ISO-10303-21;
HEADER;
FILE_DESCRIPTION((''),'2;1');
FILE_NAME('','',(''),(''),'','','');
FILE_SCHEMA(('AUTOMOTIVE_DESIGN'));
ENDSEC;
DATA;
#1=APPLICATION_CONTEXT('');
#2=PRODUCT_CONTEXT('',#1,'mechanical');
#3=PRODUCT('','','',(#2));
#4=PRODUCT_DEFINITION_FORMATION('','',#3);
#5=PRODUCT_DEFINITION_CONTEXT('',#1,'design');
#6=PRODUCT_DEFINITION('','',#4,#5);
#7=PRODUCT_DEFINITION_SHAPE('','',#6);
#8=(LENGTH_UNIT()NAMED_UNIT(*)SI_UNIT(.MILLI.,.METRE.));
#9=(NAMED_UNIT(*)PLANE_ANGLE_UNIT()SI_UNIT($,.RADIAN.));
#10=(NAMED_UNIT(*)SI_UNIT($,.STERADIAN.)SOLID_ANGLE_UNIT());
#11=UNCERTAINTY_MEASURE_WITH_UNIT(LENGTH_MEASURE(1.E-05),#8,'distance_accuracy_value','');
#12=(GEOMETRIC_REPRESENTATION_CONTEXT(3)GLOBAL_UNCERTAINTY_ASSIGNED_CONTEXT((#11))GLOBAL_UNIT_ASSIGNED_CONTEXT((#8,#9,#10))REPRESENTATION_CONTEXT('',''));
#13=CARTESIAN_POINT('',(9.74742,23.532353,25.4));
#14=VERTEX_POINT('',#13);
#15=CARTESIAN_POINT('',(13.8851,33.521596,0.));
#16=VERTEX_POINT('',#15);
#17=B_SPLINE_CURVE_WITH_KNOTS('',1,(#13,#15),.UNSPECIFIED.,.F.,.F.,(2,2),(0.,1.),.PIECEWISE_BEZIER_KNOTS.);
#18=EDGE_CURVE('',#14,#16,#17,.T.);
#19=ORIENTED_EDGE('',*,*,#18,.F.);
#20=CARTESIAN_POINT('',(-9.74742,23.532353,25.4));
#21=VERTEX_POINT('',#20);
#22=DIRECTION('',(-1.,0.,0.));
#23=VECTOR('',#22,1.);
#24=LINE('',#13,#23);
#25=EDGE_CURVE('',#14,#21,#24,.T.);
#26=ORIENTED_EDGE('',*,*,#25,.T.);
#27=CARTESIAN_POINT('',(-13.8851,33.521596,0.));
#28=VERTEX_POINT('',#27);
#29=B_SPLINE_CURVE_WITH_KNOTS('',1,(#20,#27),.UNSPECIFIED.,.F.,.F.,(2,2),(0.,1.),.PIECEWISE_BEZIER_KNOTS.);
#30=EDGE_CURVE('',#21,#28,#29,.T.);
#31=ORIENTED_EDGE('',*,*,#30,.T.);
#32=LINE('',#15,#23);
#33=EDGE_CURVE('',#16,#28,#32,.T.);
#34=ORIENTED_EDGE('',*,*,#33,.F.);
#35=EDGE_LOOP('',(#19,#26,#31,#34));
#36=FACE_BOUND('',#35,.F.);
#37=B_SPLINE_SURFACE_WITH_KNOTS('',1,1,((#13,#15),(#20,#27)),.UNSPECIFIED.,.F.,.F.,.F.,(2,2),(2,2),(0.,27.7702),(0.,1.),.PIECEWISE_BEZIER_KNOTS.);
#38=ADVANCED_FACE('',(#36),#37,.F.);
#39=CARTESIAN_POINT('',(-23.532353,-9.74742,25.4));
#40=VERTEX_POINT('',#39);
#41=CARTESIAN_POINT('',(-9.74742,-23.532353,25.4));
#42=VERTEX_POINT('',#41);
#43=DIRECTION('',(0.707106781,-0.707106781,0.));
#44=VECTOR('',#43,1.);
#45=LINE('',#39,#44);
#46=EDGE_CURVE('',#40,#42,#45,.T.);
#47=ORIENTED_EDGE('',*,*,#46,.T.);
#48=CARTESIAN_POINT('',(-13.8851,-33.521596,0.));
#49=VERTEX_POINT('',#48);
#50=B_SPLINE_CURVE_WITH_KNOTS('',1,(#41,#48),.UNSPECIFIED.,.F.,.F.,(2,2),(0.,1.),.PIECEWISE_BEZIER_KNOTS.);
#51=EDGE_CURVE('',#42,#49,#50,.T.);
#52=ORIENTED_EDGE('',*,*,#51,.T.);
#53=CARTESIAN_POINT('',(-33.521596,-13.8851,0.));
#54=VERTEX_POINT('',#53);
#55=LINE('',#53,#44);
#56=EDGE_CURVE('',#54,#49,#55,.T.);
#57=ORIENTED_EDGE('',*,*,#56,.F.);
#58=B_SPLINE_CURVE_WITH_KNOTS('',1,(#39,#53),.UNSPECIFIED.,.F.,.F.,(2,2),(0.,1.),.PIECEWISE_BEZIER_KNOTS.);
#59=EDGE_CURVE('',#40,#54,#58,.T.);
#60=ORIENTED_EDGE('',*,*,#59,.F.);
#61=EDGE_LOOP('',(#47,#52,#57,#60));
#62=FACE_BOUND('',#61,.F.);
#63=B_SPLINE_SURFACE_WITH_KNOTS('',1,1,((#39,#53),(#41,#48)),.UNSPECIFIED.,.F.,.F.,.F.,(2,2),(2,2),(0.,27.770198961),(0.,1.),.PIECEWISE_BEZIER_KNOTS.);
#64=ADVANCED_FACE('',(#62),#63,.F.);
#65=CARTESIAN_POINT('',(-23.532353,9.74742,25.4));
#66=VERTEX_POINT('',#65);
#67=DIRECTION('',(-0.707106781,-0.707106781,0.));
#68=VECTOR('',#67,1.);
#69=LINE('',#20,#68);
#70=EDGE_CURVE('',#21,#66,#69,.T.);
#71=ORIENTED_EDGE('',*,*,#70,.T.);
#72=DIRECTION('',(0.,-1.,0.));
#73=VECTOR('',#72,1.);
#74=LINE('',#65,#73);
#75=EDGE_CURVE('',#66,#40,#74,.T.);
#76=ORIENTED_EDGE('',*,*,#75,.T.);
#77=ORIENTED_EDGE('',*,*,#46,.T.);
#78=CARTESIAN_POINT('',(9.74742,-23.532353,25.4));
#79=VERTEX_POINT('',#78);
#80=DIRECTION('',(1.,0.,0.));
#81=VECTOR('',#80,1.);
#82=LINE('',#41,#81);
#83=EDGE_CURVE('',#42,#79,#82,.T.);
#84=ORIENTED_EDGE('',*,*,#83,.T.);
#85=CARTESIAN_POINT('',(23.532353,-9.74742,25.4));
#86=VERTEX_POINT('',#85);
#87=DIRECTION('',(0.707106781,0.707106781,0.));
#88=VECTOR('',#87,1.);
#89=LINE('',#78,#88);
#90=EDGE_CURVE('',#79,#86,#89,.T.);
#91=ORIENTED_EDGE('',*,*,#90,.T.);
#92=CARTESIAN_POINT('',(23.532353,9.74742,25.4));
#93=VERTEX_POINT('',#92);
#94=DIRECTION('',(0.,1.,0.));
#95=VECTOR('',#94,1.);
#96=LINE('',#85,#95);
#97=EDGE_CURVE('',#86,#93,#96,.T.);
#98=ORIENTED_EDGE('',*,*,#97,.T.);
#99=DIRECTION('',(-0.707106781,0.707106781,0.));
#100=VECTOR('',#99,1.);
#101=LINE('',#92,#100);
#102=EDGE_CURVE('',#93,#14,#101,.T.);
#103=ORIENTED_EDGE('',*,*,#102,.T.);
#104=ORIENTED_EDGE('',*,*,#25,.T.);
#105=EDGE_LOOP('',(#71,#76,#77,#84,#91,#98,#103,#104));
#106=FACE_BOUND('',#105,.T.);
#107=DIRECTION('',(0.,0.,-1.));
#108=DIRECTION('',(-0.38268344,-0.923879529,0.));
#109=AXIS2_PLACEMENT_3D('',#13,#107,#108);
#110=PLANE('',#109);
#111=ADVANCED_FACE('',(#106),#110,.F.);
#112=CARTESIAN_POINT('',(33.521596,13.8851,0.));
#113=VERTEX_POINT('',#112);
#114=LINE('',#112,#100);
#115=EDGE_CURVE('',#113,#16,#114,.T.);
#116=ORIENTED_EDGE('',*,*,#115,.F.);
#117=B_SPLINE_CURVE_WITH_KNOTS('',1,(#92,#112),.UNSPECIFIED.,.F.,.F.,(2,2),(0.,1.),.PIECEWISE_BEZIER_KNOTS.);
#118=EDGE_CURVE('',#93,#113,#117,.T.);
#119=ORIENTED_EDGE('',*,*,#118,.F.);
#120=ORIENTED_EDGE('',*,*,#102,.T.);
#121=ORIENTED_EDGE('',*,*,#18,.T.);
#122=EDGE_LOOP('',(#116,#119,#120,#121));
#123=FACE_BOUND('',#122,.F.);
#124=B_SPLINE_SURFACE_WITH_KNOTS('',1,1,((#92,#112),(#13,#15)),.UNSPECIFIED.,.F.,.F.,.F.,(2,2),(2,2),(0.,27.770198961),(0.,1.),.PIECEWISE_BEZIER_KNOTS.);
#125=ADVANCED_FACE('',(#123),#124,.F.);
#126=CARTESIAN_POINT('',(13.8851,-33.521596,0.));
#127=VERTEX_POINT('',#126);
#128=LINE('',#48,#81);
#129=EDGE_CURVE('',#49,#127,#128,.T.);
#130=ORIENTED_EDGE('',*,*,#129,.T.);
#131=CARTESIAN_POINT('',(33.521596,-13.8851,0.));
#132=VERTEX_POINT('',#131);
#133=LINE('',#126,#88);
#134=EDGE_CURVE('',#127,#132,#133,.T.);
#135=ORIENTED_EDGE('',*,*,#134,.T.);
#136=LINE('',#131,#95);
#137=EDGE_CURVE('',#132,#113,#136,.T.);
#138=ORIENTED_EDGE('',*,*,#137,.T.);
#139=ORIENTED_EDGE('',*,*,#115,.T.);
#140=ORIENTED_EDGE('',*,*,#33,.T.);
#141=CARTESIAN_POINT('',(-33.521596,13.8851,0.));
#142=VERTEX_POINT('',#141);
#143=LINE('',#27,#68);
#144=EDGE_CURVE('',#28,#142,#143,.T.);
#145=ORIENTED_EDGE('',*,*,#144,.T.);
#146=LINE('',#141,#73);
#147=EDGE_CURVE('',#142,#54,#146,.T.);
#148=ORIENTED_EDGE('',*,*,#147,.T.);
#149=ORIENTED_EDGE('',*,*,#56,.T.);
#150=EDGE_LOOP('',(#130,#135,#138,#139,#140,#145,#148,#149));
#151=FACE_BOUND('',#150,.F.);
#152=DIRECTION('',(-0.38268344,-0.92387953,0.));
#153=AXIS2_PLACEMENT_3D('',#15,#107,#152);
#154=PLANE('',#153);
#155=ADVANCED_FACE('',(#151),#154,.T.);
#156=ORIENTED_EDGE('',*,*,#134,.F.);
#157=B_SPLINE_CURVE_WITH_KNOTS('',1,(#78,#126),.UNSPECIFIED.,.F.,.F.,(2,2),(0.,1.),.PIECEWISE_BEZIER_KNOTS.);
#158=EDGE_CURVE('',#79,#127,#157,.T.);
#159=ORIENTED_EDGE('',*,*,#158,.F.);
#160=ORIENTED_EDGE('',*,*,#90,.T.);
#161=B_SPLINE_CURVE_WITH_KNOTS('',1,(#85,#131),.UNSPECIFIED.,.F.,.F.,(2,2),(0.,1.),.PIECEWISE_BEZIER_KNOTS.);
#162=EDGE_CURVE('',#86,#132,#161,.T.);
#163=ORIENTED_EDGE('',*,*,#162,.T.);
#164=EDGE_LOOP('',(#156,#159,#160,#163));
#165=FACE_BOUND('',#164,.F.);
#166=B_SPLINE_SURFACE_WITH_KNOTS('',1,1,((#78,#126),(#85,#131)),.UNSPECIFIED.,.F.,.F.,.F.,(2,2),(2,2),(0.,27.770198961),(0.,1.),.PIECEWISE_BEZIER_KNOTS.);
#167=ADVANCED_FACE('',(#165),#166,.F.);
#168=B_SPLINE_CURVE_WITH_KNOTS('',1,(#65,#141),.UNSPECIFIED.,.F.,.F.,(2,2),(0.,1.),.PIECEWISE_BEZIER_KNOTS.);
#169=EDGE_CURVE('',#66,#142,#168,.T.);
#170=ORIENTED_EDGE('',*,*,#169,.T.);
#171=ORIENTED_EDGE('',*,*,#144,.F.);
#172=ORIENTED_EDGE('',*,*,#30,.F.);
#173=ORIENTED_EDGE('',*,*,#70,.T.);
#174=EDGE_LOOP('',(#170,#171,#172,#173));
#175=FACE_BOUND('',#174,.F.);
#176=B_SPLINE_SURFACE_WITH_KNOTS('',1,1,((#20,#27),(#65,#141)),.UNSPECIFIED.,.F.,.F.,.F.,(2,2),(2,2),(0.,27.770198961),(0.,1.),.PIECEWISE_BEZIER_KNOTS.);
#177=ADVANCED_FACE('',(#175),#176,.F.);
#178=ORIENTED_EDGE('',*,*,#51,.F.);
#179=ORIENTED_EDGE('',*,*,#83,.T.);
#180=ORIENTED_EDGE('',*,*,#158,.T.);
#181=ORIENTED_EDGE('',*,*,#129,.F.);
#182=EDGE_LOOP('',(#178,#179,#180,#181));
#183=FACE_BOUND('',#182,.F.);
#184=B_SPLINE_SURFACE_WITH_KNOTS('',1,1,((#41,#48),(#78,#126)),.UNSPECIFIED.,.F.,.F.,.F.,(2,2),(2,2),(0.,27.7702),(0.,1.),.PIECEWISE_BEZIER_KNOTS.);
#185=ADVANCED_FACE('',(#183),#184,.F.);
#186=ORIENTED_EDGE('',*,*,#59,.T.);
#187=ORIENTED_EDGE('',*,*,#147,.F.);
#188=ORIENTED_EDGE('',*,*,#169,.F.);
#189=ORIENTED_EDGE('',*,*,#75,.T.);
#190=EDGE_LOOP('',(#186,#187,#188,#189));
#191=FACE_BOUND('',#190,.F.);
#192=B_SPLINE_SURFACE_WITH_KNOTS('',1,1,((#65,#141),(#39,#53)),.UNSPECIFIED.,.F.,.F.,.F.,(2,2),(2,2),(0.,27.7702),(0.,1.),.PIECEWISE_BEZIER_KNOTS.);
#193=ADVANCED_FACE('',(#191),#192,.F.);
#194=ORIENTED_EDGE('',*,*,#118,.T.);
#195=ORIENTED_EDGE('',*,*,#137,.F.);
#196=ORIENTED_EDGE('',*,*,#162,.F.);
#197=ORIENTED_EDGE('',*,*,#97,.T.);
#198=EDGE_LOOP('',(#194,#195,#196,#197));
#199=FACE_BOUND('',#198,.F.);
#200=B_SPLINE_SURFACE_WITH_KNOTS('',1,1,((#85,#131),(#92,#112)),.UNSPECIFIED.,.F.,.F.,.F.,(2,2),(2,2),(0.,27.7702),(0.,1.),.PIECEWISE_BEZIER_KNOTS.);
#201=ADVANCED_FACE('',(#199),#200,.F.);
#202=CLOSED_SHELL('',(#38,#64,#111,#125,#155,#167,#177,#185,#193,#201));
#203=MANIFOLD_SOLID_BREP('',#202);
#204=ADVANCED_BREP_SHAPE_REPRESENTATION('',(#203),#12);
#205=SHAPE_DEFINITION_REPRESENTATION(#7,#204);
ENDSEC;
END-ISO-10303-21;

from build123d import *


with BuildPart() as f3:
    # F2 (on offset) → F3 section 0
    with BuildSketch(Plane.XY.offset(25.4)):
        Polygon((9.74742, 23.532353), (-9.74742, 23.532353), (-23.532353, 9.74742), (-23.532353, -9.74742), (-9.74742, -23.532353), (9.74742, -23.532353), (23.532353, -9.74742), (23.532353, 9.74742), align=None)
    # F0 (on Top) → F3 section 1
    with BuildSketch(Plane.XY):
        Polygon((13.8851, 33.521596), (-13.8851, 33.521596), (-33.521596, 13.8851), (-33.521596, -13.8851), (-13.8851, -33.521596), (13.8851, -33.521596), (33.521596, -13.8851), (33.521596, 13.8851), align=None)
    loft()


solid = f3.part
